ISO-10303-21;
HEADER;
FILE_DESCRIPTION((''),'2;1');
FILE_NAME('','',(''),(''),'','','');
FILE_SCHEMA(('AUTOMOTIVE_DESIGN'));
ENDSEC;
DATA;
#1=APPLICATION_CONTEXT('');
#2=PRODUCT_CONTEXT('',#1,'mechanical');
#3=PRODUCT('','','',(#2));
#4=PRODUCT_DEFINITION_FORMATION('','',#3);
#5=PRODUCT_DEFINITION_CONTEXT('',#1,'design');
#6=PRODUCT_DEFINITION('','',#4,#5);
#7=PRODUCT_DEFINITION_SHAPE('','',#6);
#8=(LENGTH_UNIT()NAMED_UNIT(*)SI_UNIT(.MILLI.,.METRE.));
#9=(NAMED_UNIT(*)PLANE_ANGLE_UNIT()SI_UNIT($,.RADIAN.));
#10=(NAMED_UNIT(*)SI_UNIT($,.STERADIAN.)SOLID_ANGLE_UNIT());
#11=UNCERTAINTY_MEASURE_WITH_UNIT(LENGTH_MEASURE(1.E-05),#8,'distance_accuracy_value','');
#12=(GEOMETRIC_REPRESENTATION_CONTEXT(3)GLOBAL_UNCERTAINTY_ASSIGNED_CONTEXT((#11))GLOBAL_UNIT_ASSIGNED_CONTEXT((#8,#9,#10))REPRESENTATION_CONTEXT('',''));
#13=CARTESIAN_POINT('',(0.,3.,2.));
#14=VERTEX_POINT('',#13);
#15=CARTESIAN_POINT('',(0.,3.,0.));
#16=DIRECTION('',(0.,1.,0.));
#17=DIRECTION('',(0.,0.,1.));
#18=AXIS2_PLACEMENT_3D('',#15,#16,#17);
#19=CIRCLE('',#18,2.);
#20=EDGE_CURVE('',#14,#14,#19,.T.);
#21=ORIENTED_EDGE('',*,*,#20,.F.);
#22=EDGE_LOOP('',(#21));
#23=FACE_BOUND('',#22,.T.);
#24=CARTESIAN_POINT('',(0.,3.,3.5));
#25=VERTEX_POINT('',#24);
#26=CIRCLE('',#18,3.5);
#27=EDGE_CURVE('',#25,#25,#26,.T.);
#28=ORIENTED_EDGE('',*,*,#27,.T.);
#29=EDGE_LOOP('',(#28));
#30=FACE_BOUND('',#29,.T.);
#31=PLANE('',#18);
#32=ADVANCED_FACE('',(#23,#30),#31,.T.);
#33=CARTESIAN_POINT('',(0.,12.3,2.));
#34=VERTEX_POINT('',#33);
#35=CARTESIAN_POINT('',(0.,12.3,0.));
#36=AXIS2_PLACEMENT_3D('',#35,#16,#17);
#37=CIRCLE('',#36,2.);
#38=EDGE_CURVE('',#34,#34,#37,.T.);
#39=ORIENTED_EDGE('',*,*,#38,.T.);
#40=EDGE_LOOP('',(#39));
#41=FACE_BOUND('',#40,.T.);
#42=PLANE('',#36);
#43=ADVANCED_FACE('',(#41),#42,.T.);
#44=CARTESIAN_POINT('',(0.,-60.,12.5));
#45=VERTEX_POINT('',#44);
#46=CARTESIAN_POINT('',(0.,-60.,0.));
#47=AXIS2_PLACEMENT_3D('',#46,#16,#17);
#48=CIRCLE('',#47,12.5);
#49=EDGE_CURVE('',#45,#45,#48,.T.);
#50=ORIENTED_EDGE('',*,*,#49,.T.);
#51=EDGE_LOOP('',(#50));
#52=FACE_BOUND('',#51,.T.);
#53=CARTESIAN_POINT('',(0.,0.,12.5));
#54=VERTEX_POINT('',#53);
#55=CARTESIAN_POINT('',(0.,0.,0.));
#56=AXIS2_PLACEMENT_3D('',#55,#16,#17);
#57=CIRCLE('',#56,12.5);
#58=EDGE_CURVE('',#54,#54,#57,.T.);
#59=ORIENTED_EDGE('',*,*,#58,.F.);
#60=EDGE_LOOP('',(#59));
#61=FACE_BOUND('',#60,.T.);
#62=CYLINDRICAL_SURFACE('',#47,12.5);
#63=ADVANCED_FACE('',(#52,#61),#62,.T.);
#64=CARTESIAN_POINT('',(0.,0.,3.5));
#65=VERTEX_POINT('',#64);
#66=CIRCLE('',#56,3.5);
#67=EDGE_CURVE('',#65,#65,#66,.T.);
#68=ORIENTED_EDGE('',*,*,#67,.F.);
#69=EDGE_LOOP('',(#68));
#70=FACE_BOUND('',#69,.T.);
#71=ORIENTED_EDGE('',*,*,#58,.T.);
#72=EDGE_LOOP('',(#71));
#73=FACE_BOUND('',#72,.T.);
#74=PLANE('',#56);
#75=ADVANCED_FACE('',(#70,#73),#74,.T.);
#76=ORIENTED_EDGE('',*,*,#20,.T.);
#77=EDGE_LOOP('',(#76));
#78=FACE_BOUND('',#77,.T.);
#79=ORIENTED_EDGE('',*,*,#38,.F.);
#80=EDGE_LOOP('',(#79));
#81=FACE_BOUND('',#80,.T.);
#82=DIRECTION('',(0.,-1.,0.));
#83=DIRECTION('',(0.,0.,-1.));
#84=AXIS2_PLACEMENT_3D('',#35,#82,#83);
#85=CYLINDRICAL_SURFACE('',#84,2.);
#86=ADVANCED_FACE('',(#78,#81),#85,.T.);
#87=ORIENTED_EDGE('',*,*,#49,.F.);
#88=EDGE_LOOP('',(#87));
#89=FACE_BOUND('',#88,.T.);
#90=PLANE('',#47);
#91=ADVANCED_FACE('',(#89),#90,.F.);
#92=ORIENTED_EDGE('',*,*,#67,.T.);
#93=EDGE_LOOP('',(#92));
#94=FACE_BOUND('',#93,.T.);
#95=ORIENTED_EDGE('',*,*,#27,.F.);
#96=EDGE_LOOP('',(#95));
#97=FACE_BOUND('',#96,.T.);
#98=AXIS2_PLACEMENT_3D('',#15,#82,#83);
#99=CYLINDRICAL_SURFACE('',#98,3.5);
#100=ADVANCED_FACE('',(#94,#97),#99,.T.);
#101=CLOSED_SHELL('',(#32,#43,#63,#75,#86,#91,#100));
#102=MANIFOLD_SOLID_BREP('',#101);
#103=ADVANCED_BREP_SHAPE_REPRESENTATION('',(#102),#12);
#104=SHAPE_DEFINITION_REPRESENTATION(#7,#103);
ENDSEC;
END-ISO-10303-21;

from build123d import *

# Parameters (mm, degrees)
SKETCH1_R           = 12.5
BOSS_EXTRUDE1_DEPTH = 60
SKETCH2_R           = 3.5
BOSS_EXTRUDE2_DEPTH = 3
SKETCH3_R           = 2
BOSS_EXTRUDE3_DEPTH = 9.3


with BuildPart() as part:
    # Sketch1 → Boss-Extrude1 (new body)
    with BuildSketch(Plane(origin=(0, 0, 0), x_dir=(1, 0, 0), z_dir=(0, 1, 0))):
        with Locations(Location((0, 0, 0), (0, 0, 270))):
            Circle(SKETCH1_R)
    extrude(amount=-BOSS_EXTRUDE1_DEPTH)

    # Sketch2 → Boss-Extrude2 (add)
    with BuildSketch(Plane(origin=(0, 0, 0), x_dir=(1, 0, 0), z_dir=(0, 1, 0))):
        with Locations(Location((0, 0, 0), (0, 0, 270))):
            Circle(SKETCH2_R)
    extrude(amount=BOSS_EXTRUDE2_DEPTH)

    # Sketch3 → Boss-Extrude3 (add)
    with BuildSketch(Plane(origin=(0, 3, 0), x_dir=(1, 0, 0), z_dir=(0, 1, 0))):
        with Locations(Location((0, 0, 0), (0, 0, 270))):
            Circle(SKETCH3_R)
    extrude(amount=BOSS_EXTRUDE3_DEPTH)


solid = part.part
